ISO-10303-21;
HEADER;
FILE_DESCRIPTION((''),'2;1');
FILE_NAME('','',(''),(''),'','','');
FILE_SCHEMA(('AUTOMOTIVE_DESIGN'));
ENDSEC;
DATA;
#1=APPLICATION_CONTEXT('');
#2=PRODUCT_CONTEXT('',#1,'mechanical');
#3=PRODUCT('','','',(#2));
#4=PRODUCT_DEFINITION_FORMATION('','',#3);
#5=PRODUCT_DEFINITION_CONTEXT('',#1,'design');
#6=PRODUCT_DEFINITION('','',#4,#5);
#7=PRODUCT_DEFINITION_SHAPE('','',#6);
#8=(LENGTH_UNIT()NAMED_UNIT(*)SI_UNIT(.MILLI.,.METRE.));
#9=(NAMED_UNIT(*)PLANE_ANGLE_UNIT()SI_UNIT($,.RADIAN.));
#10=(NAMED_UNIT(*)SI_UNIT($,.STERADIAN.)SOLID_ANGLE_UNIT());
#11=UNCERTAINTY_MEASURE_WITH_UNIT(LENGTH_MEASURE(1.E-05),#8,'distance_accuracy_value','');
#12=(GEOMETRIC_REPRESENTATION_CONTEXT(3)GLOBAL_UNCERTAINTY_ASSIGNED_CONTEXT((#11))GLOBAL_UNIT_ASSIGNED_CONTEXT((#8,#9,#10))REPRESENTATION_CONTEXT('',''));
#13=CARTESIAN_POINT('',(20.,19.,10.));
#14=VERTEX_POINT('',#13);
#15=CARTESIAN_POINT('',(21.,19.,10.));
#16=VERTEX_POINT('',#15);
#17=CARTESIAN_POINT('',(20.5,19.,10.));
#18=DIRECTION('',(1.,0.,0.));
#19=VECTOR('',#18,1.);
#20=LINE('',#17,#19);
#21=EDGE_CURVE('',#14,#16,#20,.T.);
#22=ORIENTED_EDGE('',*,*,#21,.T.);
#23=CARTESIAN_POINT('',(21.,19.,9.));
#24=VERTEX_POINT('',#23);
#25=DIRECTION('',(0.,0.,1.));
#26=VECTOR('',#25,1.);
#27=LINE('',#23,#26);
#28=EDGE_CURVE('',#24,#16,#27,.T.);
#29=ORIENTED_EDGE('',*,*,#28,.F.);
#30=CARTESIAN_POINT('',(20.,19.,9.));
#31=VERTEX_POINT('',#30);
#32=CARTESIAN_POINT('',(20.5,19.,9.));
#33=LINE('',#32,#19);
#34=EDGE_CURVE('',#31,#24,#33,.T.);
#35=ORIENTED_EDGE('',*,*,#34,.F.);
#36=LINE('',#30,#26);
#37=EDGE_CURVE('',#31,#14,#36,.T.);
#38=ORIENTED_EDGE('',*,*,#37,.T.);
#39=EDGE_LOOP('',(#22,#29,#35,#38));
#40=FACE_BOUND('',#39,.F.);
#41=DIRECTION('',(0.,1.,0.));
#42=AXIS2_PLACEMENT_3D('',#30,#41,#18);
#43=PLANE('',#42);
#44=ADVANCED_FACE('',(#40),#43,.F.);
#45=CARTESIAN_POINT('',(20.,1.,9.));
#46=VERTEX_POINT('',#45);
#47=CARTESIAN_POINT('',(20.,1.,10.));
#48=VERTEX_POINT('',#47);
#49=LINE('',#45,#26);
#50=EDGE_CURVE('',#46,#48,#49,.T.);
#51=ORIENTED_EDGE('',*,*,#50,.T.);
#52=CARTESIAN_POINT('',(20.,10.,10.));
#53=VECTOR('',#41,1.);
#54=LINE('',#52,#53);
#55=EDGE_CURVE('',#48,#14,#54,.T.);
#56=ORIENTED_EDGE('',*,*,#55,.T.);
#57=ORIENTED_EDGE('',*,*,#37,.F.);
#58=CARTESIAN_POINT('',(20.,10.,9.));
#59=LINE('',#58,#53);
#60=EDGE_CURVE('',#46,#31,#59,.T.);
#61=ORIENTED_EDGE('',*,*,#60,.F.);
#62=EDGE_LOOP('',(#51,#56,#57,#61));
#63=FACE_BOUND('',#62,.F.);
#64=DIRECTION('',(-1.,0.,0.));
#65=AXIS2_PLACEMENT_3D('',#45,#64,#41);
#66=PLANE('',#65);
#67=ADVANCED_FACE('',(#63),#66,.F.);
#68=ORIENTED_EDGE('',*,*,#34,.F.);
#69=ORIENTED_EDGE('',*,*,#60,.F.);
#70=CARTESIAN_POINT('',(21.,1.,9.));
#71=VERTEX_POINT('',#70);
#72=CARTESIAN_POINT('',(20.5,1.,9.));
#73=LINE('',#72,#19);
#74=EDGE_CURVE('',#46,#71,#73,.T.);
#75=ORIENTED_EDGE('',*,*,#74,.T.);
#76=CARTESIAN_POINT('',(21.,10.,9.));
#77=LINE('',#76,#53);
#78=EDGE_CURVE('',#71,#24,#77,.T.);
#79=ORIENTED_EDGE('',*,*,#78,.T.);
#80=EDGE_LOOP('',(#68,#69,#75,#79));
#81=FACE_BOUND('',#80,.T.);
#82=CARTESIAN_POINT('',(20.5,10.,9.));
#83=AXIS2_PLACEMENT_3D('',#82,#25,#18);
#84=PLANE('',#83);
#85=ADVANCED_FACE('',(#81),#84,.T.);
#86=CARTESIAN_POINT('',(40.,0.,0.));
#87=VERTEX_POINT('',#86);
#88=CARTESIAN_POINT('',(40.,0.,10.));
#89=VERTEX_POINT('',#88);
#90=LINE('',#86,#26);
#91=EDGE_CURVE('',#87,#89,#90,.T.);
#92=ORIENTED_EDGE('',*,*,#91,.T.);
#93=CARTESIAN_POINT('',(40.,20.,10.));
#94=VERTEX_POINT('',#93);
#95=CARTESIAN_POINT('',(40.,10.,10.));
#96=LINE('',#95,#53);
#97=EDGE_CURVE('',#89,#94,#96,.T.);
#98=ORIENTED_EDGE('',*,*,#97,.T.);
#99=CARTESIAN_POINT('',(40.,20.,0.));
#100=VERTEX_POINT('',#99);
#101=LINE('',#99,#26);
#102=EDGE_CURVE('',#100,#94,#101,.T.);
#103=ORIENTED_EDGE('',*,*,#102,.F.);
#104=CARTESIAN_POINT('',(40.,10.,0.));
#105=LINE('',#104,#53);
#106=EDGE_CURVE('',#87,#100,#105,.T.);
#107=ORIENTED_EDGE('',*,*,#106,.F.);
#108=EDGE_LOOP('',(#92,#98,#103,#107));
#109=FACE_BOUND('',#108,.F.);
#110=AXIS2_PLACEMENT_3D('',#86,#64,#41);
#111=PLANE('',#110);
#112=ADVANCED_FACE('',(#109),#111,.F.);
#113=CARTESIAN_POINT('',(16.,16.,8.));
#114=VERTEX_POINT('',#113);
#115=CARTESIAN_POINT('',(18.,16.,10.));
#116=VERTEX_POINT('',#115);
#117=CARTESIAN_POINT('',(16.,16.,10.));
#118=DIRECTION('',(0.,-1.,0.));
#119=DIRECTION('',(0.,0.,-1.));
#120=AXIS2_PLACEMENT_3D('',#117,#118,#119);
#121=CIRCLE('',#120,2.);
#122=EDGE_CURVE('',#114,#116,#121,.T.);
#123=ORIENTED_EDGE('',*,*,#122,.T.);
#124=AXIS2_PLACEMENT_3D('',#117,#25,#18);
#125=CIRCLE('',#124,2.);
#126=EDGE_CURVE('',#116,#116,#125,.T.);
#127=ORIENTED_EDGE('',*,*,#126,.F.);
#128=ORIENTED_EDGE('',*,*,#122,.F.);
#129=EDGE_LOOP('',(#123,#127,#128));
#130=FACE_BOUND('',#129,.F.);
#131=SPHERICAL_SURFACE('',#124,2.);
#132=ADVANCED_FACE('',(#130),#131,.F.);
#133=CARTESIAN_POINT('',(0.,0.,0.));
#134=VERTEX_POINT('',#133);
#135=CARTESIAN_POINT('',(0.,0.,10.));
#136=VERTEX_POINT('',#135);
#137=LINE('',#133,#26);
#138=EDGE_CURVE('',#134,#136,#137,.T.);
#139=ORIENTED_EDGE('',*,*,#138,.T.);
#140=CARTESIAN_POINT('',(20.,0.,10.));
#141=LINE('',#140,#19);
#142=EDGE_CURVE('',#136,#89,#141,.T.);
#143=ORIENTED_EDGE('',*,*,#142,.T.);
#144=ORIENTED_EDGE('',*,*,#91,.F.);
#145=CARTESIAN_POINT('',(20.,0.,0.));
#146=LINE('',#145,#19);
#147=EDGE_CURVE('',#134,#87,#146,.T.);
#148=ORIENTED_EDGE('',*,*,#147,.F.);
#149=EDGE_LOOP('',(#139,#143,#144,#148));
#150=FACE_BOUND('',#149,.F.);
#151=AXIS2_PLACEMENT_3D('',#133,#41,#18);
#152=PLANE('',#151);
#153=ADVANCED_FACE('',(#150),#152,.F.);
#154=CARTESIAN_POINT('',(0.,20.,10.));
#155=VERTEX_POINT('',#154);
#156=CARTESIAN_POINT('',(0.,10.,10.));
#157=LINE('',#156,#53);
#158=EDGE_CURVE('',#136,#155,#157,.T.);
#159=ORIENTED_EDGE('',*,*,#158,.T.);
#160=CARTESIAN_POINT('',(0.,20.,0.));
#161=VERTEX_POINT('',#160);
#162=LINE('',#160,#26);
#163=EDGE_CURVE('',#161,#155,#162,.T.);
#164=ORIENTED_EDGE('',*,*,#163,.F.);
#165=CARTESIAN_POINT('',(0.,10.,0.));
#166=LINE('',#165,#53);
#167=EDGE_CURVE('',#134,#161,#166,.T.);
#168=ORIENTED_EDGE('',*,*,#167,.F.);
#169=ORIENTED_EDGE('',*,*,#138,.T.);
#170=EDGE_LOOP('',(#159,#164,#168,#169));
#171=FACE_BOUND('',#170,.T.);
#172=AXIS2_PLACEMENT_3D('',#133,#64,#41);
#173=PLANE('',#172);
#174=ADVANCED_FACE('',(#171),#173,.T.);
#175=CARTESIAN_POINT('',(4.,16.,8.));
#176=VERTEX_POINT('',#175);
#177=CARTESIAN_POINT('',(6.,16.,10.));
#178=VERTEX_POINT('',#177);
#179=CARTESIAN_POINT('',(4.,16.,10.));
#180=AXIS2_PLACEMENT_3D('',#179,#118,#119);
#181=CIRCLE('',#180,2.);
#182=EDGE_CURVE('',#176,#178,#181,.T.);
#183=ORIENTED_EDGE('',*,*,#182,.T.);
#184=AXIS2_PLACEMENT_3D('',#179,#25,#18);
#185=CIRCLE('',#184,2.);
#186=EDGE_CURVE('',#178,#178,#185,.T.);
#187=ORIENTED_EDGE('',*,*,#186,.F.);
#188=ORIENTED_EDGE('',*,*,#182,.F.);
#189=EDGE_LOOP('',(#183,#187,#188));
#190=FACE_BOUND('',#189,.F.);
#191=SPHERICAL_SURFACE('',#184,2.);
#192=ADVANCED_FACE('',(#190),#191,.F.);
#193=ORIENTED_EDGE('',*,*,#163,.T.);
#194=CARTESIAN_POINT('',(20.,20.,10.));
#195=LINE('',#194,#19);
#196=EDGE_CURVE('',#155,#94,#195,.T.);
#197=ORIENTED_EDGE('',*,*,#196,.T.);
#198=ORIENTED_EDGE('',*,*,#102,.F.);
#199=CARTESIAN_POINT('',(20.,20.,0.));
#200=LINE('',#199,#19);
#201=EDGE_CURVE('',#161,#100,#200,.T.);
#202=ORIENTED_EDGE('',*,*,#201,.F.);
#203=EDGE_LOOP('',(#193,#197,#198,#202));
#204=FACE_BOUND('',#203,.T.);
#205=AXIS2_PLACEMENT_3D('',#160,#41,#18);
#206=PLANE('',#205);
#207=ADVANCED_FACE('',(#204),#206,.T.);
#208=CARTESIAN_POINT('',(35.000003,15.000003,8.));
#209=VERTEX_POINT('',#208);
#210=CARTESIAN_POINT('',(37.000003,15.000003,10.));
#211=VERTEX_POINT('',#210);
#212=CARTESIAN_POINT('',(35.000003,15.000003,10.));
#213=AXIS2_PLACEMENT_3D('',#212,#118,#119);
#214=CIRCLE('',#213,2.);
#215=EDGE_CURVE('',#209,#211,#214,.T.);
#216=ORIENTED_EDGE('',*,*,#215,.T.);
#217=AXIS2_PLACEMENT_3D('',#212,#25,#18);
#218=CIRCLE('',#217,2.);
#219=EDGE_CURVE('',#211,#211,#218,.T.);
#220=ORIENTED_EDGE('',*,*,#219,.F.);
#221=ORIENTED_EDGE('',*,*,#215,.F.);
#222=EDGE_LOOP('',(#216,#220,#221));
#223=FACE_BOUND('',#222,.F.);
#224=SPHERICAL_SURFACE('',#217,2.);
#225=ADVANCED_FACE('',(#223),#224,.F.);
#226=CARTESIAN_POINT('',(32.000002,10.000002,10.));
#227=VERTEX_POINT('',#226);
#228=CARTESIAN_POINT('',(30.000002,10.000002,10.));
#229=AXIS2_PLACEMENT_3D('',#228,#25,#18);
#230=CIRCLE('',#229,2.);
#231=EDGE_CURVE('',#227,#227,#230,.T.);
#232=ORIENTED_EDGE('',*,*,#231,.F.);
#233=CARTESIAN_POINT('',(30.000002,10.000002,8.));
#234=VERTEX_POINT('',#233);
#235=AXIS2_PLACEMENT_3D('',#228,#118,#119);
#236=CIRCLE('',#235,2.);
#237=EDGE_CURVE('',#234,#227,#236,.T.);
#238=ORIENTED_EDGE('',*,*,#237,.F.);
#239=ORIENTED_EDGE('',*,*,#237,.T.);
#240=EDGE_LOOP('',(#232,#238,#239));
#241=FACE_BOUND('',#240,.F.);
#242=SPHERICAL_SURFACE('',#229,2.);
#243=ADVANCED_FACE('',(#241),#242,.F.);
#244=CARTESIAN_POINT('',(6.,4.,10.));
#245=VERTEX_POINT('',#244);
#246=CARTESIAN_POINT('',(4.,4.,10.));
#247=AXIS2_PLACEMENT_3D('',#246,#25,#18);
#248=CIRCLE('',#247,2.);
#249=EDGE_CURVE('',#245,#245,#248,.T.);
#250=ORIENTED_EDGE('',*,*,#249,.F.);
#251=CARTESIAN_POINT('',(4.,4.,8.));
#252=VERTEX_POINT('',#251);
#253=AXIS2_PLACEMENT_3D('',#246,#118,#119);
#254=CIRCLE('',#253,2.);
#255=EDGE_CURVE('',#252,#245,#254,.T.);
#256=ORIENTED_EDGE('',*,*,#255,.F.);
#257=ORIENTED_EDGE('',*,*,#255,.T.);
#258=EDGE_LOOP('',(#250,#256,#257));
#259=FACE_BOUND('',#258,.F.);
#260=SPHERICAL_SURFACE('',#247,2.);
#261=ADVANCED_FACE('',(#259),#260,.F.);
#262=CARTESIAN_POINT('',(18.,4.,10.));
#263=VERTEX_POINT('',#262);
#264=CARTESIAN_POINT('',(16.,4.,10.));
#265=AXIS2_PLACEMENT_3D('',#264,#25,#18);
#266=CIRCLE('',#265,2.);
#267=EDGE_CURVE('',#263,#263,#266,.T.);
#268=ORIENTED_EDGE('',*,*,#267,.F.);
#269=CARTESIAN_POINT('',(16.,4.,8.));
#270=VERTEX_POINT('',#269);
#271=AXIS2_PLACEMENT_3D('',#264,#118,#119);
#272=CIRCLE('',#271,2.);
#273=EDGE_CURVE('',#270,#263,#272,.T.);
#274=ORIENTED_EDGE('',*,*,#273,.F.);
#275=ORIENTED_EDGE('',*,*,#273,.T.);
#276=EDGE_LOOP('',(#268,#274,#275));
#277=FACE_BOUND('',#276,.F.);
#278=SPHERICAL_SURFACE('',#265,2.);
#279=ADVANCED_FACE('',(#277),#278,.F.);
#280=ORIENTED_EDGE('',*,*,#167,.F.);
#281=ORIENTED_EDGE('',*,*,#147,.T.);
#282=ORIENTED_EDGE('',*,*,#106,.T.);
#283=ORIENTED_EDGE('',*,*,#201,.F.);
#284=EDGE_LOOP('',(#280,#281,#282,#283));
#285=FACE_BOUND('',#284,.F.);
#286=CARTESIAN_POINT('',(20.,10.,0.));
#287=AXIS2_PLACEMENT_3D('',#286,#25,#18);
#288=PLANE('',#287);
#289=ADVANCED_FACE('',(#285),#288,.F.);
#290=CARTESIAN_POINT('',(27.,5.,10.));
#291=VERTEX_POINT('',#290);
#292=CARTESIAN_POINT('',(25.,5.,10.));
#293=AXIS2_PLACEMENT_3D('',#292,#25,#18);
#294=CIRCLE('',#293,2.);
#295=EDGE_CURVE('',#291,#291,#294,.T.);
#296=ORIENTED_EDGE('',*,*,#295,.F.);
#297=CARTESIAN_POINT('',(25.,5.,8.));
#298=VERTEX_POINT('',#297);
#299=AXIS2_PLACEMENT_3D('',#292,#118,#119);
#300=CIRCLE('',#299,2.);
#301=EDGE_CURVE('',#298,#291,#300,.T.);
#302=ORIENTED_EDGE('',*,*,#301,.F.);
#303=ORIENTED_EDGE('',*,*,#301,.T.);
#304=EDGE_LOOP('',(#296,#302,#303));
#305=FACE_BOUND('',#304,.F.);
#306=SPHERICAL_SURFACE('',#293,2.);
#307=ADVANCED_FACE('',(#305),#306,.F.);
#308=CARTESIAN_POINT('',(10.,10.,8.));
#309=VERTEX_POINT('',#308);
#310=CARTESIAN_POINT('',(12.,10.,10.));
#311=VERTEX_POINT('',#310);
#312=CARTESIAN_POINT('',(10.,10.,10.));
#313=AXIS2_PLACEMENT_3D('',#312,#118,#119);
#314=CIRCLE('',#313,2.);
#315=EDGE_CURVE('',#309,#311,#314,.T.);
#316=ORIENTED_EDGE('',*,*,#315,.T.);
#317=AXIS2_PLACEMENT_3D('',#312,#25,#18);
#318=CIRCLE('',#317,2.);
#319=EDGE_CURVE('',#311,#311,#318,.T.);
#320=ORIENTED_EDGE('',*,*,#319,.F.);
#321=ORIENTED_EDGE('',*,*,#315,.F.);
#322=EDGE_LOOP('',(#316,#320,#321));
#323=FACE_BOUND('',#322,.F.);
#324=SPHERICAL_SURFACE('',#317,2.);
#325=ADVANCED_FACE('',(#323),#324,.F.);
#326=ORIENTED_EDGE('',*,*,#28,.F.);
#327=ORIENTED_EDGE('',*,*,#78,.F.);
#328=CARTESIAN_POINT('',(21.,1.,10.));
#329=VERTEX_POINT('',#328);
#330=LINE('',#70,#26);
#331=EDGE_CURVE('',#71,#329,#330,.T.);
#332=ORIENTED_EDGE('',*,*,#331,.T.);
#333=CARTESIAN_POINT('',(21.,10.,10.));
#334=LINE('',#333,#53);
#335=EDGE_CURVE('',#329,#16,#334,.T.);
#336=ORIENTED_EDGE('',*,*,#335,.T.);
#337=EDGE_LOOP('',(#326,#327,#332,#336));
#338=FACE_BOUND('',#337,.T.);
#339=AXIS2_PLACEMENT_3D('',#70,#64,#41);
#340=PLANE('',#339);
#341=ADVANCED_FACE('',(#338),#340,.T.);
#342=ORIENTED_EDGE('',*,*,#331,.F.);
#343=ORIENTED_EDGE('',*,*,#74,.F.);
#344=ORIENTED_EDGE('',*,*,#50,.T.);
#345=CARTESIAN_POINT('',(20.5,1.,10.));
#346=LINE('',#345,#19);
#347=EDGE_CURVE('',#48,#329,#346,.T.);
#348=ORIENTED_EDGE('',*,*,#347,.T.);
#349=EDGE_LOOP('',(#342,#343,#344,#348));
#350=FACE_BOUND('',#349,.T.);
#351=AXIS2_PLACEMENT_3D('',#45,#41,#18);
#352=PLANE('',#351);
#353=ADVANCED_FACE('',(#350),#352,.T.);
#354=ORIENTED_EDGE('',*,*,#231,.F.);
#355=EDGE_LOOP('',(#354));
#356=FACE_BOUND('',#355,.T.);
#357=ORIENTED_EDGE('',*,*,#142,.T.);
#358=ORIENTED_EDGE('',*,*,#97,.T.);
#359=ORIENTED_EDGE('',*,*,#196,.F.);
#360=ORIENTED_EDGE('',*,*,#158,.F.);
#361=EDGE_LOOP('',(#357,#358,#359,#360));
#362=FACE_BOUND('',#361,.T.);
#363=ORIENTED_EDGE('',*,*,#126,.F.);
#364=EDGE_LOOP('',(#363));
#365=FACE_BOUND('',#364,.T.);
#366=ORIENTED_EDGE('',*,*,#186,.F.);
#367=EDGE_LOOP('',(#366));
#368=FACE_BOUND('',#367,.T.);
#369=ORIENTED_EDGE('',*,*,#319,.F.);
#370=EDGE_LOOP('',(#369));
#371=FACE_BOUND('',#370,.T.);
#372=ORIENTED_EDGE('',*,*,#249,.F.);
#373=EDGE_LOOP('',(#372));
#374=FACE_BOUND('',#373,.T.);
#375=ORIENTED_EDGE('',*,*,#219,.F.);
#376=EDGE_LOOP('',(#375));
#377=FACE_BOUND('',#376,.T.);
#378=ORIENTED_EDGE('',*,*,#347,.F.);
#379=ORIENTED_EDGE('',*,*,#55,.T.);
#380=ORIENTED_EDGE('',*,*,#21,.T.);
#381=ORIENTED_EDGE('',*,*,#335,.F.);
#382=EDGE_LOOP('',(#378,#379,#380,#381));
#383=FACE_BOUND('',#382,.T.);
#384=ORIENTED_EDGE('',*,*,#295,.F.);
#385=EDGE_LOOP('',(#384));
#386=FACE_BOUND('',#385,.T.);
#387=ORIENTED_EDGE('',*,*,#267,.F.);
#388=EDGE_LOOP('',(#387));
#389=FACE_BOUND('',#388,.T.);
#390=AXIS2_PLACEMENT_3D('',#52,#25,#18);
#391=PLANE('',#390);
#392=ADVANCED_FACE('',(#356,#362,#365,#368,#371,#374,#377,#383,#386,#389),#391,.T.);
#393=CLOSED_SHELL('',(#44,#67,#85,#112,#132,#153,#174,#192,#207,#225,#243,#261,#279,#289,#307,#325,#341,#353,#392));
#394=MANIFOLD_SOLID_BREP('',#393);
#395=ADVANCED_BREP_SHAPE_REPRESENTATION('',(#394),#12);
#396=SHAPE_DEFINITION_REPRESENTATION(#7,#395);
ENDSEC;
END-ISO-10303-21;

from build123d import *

# Parameters (mm, degrees)
ARRAY001_X_COUNT = 2
ARRAY001_X_PITCH = 12
ARRAY001_Y_COUNT = 2
ARRAY001_Y_PITCH = 12
ARRAY_X_COUNT    = 3
ARRAY_X_PITCH    = 7.071068
BOX001_W         = 1
BOX001_H         = 18
BOX001_DEPTH     = 1
BOX_W            = 40
BOX_H            = 20
BOX_DEPTH        = 10


with BuildPart() as array001:
    # Sphere002 → Sphere002 (revolve)
    with BuildSketch(Plane(origin=(4, 4, 10), x_dir=(1, 0, 0), z_dir=(0, -1, 0))):
        with BuildLine():
            ThreePointArc((0, -2), (2, 0), (0, 2))
            Line((0, 2), (0, -2))
        make_face()
    revolve(axis=Axis((4, 4, 10), (0, 0, 1)))

    # Array001 X: Array001 ×2


with BuildPart() as array001_1:
    add(array001.part)
    with Locations(*[(i * ARRAY001_X_PITCH, 0, 0) for i in range(1, ARRAY001_X_COUNT)]):
        add(array001.part)

    # Array001 Y: Array001 ×2


with BuildPart() as array001_2:
    add(array001_1.part)
    with Locations(*[(0, i * ARRAY001_Y_PITCH, 0) for i in range(1, ARRAY001_Y_COUNT)]):
        add(array001_1.part)


with BuildPart() as numero5:
    # Sphere001 → Sphere001 (revolve)
    with BuildSketch(Plane(origin=(10, 10, 10), x_dir=(1, 0, 0), z_dir=(0, -1, 0))):
        with BuildLine():
            ThreePointArc((0, -2), (2, 0), (0, 2))
            Line((0, 2), (0, -2))
        make_face()
    revolve(axis=Axis((10, 10, 10), (0, 0, 1)))

    # Fusion: union Array001
    add(array001_2.part)


with BuildPart() as numero3:
    # Sphere → Sphere (revolve)
    with BuildSketch(Plane.XZ):
        with BuildLine():
            ThreePointArc((0, -2), (2, 0), (0, 2))
            Line((0, 2), (0, -2))
        make_face()
    revolve(axis=Axis((0, 0, 0), (0, 0, 1)))

    # Array X: numero3 ×3


with BuildPart() as numero3_1:
    add(numero3.part)
    with Locations(*[Vector(0.707107, 0.707107, 0) * (i * ARRAY_X_PITCH) for i in range(1, ARRAY_X_COUNT)]):
        add(numero3.part)


with BuildPart() as numero3_2:
    # Array placement: moved
    add(numero3_1.part.moved(Location((25, 5, 10))))


with BuildPart() as separador:
    # Box001 → Box001 (new body)
    with BuildSketch(Plane(origin=(20, 1, 9), x_dir=(1, 0, 0), z_dir=(0, 0, 1))):
        with Locations((0.5, 9)):
            Rectangle(BOX001_W, BOX001_H)
    extrude(amount=BOX001_DEPTH)


with BuildPart() as ficha:
    # Box → Box (new body)
    with BuildSketch(Plane.XY):
        with Locations((20, 10)):
            Rectangle(BOX_W, BOX_H)
    extrude(amount=BOX_DEPTH)

    # Cut: cut Separador
    add(separador.part, mode=Mode.SUBTRACT)

    # Cut001: cut numero3
    add(numero3_2.part, mode=Mode.SUBTRACT)

    # Cut002: cut Numero5
    add(numero5.part, mode=Mode.SUBTRACT)


solid = ficha.part
